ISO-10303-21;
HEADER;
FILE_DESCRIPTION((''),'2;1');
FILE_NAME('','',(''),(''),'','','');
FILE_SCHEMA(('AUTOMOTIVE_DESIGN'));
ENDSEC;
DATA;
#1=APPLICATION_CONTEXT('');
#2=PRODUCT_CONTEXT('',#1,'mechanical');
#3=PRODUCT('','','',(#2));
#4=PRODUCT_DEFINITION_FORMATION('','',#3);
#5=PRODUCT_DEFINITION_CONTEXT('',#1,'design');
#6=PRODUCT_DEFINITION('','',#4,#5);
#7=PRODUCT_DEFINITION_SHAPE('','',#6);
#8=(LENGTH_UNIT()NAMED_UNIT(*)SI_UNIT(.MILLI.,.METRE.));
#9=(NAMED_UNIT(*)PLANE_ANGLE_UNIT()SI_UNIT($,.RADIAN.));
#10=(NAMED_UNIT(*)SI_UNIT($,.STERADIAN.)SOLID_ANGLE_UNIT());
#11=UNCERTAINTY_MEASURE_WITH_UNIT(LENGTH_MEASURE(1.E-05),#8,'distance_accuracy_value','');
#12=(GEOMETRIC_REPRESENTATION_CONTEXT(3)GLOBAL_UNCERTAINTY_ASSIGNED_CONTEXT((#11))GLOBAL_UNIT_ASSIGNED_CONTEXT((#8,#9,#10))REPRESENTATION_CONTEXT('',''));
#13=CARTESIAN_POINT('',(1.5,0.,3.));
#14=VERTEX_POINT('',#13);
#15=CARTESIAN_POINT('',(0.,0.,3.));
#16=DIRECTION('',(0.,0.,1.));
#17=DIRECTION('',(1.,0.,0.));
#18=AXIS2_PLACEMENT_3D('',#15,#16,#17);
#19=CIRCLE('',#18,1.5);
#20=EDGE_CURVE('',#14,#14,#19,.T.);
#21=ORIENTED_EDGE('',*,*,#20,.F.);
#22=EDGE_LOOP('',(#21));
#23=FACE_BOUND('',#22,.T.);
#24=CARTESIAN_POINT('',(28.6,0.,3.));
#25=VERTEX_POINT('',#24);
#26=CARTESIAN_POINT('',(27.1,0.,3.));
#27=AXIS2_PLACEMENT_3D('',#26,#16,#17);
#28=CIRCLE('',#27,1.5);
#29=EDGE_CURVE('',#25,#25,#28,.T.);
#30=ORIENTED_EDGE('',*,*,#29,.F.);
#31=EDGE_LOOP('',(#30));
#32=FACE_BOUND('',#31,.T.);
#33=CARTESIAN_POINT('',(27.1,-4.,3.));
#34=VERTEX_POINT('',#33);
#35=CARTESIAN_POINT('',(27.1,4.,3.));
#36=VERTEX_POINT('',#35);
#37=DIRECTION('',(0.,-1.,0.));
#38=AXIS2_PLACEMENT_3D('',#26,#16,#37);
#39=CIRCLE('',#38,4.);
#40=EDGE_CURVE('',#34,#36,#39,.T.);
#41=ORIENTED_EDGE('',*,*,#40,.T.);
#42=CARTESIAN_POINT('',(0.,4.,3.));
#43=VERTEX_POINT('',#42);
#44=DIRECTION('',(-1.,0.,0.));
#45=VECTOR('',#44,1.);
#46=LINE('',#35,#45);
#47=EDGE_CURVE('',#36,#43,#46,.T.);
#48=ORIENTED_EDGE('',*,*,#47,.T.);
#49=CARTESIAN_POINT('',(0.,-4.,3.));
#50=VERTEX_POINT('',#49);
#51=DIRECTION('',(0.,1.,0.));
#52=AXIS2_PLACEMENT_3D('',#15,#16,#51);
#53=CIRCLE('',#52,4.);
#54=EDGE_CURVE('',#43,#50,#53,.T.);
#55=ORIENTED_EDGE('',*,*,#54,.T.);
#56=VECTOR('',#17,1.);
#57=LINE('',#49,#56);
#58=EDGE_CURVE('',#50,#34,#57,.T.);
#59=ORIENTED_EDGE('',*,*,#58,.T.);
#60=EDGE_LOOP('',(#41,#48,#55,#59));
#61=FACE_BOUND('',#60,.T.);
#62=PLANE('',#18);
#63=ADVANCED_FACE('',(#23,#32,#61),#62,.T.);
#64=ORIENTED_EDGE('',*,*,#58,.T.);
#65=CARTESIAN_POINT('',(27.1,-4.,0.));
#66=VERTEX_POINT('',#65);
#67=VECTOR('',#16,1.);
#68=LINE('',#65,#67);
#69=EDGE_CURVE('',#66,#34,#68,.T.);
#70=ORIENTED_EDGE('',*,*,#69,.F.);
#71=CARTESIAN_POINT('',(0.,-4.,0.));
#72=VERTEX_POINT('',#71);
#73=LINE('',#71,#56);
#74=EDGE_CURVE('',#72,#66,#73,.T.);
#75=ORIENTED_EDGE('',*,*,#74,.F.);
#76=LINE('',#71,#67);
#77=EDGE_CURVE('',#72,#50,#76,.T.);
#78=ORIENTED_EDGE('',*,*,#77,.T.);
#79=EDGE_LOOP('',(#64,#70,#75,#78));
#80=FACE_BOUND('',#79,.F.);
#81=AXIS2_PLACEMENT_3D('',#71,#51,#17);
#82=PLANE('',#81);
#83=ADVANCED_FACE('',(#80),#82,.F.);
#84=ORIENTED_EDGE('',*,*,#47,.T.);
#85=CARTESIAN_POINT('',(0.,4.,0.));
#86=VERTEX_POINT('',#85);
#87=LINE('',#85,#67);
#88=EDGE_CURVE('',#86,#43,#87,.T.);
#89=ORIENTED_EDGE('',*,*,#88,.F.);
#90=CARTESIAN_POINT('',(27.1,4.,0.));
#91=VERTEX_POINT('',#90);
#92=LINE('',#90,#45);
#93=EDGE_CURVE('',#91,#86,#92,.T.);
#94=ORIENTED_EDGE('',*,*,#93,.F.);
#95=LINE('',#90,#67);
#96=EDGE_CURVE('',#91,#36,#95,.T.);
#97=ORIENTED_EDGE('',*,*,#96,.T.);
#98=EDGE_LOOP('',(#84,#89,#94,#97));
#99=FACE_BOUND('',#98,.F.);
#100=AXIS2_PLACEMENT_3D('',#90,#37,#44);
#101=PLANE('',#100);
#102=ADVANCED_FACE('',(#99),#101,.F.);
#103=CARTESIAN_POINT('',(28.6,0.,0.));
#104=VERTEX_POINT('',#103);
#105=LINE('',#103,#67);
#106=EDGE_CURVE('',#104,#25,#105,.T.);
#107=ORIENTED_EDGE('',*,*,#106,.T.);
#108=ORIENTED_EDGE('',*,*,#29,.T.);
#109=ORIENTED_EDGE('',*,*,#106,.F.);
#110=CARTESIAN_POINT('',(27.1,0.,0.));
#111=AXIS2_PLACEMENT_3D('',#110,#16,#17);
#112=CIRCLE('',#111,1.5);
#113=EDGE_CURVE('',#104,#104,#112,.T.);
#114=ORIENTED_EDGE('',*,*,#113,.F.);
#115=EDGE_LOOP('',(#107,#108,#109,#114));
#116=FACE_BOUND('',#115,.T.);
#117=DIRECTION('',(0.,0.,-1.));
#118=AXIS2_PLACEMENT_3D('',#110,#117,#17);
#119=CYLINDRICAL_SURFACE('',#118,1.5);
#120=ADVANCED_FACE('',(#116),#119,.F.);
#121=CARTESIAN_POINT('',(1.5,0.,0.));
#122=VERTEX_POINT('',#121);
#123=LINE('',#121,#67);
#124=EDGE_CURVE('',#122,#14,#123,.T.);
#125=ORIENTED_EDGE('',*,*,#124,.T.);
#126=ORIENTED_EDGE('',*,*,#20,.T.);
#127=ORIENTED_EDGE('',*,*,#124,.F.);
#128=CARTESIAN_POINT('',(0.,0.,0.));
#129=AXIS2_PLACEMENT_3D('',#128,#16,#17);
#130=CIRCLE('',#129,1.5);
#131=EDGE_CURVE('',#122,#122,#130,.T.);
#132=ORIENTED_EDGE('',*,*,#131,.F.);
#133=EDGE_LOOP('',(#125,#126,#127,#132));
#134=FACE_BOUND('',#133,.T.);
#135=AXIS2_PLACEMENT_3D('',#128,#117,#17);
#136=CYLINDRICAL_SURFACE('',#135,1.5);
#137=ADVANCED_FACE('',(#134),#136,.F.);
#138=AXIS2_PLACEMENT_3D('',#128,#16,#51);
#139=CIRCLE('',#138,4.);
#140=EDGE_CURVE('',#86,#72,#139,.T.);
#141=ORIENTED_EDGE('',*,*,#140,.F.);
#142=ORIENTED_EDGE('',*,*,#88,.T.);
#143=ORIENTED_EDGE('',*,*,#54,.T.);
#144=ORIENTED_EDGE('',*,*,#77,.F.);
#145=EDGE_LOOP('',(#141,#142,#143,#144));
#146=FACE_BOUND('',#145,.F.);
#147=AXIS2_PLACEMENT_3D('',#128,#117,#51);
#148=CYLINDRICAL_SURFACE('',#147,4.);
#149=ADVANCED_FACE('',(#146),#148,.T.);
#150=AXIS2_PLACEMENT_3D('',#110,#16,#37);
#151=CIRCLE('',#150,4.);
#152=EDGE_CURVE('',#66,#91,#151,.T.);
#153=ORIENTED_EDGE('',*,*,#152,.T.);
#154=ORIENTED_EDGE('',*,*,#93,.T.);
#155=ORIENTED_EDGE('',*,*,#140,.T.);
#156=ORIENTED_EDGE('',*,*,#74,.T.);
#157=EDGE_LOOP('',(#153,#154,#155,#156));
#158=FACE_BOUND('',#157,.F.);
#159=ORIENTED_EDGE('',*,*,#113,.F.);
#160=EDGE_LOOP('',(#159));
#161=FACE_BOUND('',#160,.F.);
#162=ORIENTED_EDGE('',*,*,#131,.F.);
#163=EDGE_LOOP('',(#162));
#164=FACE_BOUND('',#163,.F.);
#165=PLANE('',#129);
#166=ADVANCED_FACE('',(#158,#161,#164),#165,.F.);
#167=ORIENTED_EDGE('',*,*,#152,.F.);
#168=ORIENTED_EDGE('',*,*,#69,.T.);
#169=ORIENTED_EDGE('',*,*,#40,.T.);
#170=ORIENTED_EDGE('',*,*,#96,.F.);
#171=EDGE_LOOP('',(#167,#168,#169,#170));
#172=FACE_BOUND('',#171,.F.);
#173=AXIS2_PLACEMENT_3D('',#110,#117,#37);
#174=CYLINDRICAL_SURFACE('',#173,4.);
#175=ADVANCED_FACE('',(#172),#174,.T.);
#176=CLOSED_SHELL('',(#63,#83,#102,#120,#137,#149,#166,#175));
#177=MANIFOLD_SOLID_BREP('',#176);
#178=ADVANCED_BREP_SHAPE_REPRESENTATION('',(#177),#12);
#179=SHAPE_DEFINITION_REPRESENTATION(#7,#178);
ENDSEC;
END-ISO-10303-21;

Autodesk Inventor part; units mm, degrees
ref_plane "YZ Plane" through (0, 0, 0) normal (1, 0, 0) x (0, 1, 0)
ref_plane "XZ Plane" through (0, 0, 0) normal (0, 1, 0) x (-1, 0, 0)
ref_plane "XY Plane" through (0, 0, 0) normal (0, 0, 1) x (1, 0, 0)
sketch "スケッチ1" plane through (0, 0, 0) normal (0, 0, 1) x (1, 0, 0)
  line L0 (0, 0) -> (27.1, 0) construction
  line L1 (0, -4) -> (27.1, -4)
  line L2 (27.1, 4) -> (0, 4)
  arc A0 (0, 4) -> (0, -4) centre (0, 0) ccw
  arc A1 (27.1, -4) -> (27.1, 4) centre (27.1, 0) ccw
  circle A2 centre (0, 0) radius 1.5
  circle A3 centre (27.1, 0) radius 1.5
  point P0 (13.55, 0)
  dimension "d0" = 27.1
  dimension "d1" = 4
  dimension "d2" = 3
  dimension "d3" = 3
extrude "押し出し1" add sketch "スケッチ1" along normal blind 3
properties part number "link_long"
